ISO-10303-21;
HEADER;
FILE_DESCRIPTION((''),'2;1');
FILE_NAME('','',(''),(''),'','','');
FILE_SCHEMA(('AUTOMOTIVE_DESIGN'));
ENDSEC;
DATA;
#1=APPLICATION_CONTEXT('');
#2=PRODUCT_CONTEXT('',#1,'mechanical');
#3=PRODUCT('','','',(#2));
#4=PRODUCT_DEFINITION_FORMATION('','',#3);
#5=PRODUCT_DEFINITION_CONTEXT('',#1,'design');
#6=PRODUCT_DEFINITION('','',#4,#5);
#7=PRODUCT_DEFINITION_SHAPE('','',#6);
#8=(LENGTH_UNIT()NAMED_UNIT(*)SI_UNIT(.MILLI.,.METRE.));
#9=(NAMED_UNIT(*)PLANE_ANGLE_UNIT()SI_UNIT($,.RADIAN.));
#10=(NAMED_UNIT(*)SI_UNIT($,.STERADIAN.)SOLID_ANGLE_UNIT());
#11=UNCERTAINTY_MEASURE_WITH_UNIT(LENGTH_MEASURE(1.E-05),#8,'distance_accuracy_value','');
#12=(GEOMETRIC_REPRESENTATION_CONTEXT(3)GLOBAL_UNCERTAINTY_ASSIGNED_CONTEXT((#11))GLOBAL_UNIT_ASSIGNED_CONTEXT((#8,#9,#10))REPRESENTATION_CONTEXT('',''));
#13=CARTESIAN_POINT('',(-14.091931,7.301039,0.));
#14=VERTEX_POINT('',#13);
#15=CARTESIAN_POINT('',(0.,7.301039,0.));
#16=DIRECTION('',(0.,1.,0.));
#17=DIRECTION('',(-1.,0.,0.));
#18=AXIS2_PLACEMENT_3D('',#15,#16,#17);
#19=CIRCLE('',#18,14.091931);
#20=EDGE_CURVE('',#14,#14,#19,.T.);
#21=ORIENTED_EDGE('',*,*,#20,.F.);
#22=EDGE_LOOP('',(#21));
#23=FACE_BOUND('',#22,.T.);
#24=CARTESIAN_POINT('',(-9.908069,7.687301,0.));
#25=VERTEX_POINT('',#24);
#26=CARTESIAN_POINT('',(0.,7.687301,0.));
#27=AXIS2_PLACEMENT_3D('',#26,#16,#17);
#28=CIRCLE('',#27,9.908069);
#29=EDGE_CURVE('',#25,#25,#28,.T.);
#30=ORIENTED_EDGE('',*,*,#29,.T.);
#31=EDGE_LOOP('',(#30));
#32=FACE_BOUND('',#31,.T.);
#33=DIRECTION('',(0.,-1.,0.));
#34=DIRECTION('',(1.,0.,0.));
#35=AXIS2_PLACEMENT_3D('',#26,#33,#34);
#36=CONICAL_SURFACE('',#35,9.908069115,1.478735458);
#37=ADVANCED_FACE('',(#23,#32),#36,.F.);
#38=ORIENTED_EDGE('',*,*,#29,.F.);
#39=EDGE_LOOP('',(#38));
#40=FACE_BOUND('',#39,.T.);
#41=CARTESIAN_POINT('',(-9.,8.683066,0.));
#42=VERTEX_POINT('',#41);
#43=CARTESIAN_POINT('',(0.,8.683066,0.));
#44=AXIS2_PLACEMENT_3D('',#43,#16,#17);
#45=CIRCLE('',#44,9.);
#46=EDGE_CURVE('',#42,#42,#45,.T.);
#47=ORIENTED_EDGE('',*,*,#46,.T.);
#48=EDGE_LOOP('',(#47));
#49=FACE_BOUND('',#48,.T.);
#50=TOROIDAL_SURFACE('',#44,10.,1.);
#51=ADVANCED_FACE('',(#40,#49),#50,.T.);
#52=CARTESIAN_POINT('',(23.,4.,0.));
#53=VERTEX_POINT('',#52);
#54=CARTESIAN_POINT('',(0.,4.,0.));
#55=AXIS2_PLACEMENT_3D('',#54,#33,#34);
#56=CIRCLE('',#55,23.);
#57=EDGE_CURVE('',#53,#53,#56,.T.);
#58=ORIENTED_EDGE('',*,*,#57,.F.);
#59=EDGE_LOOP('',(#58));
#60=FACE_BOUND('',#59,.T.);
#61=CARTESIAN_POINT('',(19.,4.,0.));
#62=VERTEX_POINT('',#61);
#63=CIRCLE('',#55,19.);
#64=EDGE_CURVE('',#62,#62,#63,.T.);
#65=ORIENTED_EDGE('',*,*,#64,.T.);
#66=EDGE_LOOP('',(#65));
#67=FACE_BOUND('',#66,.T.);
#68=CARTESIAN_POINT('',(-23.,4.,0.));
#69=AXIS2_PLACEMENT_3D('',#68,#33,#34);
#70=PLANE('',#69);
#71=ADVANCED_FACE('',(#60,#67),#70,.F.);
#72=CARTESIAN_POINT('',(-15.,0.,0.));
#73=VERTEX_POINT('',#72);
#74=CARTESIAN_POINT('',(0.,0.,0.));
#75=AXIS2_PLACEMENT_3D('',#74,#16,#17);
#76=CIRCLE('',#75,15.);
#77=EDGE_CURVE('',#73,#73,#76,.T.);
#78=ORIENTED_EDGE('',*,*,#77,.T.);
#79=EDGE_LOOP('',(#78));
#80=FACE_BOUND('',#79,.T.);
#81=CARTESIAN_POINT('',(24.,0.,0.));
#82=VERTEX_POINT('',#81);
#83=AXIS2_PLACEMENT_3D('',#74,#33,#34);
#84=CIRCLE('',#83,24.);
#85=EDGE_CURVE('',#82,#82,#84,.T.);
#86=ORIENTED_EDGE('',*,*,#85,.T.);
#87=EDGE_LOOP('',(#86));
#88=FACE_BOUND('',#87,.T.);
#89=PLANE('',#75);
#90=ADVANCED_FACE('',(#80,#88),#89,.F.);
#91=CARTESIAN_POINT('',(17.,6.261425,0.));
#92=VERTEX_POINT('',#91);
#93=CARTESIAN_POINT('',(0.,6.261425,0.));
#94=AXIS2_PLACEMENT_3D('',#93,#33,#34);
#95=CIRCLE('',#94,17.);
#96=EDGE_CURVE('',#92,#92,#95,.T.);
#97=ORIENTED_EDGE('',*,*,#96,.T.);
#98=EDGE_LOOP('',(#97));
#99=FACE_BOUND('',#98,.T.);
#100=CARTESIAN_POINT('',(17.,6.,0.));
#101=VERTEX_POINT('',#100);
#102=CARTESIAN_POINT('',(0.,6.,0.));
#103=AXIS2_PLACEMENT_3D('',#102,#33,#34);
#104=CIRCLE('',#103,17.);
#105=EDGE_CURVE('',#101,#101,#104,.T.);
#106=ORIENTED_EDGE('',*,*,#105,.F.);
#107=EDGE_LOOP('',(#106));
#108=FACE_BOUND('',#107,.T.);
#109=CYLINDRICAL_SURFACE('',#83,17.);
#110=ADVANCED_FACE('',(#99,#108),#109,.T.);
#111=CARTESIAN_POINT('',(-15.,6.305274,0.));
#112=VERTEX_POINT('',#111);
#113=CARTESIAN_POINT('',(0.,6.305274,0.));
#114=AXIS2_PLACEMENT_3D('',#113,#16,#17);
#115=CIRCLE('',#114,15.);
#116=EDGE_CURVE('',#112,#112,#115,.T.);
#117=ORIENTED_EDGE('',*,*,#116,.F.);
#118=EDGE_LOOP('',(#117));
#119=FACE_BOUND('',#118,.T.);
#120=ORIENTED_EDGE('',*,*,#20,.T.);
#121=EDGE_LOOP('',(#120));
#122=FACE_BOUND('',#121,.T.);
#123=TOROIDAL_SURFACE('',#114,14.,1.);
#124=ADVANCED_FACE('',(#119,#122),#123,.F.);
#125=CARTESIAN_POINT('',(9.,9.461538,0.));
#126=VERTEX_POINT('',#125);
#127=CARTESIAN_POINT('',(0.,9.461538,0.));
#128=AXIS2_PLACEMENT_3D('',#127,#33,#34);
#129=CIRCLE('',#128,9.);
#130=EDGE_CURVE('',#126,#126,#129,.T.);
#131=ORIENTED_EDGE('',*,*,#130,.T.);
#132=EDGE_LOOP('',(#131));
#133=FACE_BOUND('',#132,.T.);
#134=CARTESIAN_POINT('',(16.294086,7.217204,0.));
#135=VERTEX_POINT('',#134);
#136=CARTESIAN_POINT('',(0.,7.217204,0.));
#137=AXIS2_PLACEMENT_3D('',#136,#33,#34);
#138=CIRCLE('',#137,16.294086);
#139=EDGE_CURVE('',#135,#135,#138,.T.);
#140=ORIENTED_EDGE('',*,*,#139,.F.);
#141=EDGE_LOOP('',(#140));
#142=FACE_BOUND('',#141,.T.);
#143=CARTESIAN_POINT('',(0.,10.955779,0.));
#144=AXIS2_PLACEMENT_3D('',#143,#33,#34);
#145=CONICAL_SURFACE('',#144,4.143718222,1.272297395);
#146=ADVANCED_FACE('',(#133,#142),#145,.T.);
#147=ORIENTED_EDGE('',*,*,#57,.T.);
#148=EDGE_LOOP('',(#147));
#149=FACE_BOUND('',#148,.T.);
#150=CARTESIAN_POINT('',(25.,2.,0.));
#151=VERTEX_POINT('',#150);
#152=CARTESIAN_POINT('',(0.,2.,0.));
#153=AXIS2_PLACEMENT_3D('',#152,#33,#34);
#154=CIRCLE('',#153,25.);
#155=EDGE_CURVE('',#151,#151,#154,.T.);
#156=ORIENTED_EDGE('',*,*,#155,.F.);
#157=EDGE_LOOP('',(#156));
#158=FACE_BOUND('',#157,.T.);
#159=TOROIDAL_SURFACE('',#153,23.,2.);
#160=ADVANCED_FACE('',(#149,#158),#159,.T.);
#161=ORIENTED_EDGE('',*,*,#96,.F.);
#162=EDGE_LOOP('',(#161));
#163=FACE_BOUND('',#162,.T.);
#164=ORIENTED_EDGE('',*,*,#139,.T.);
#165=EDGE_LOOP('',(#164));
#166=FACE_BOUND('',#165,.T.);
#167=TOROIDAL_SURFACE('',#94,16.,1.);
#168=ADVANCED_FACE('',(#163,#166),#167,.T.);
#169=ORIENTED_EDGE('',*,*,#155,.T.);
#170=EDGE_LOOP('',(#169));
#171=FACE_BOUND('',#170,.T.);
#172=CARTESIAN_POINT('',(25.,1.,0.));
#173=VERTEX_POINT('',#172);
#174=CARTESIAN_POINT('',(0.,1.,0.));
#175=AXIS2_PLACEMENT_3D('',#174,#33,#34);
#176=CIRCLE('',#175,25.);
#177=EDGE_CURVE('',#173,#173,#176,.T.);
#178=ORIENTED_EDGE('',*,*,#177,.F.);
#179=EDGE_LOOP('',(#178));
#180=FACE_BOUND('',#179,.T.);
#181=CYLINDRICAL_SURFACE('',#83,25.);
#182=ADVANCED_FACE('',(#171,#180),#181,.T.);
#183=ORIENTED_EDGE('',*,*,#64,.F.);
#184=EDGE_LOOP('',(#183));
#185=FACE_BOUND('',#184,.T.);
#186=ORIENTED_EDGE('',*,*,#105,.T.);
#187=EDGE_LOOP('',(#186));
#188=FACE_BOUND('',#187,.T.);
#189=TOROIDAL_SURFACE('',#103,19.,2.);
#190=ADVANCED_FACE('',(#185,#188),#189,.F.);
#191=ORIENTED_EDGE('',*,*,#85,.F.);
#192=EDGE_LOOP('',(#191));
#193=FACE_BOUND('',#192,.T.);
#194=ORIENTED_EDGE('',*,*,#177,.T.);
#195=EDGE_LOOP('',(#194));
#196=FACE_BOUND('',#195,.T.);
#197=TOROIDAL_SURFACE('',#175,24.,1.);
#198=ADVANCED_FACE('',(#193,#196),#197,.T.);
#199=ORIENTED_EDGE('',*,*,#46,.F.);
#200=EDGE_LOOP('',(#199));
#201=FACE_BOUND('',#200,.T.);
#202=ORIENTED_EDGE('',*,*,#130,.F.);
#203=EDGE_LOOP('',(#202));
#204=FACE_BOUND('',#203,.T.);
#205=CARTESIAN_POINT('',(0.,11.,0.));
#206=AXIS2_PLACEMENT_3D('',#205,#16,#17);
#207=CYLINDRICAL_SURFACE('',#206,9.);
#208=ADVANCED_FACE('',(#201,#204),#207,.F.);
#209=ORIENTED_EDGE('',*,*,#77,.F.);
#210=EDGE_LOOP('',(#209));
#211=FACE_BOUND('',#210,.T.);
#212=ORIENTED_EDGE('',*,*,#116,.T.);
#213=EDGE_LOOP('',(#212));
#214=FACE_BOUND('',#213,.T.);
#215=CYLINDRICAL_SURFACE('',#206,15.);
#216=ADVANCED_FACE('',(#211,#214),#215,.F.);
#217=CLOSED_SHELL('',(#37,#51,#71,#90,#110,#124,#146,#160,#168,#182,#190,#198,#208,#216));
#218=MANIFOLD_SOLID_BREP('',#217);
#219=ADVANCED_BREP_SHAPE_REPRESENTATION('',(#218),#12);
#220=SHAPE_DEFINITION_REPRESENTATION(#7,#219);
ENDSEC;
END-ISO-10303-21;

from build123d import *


with BuildPart() as part:
    # Sketch1 → Revolve1 (revolve)
    with BuildSketch(Plane.XY):
        with BuildLine():
            Line((0, 0), (-24, 0))
            ThreePointArc((-24, 0), (-24.707106781, 0.292893219), (-25, 1))
            Line((-25, 1), (-25, 2))
            ThreePointArc((-25, 2), (-24.414213562, 3.414213562), (-23, 4))
            Line((-23, 4), (-19, 4))
            ThreePointArc((-19, 4), (-17.585786438, 4.585786438), (-17, 6))
            Line((-17, 6), (-17, 6.261425345))
            ThreePointArc((-17, 6.261425345), (-16.804389784, 6.855527252), (-16.294085849, 7.217204354))
            Line((-16.294085849, 7.217204354), (-4.143718222, 10.955779009))
            ThreePointArc((-4.143718222, 10.955779009), (-3.998328357, 10.988882958), (-3.849632373, 11))
            Line((-3.849632373, 11), (0, 11))
            Line((0, 11), (0, 0))
        make_face()
    revolve(axis=Axis((0, 0, 0), (0, 1, 0)))

    # Sketch3 → Cut-Revolve2 (revolve, cut)
    with BuildSketch(Plane.XY):
        with BuildLine():
            Line((0, 11), (0, 0))
            Line((0, 0), (-15, 0))
            Line((-15, 0), (-15, 6.305273568))
            ThreePointArc((-15, 6.305273568), (-14.738894744, 6.979094433), (-14.091930885, 7.301038958))
            Line((-14.091930885, 7.301038958), (-9.908069115, 7.687300741))
            ThreePointArc((-9.908069115, 7.687300741), (-9.261105256, 8.009245267), (-9, 8.683066131))
            Line((-9, 8.683066131), (-9, 11))
            Line((-9, 11), (0, 11))
        make_face()
    revolve(axis=Axis((0, 11, 0), (0, -1, 0)), mode=Mode.SUBTRACT)


solid = part.part
